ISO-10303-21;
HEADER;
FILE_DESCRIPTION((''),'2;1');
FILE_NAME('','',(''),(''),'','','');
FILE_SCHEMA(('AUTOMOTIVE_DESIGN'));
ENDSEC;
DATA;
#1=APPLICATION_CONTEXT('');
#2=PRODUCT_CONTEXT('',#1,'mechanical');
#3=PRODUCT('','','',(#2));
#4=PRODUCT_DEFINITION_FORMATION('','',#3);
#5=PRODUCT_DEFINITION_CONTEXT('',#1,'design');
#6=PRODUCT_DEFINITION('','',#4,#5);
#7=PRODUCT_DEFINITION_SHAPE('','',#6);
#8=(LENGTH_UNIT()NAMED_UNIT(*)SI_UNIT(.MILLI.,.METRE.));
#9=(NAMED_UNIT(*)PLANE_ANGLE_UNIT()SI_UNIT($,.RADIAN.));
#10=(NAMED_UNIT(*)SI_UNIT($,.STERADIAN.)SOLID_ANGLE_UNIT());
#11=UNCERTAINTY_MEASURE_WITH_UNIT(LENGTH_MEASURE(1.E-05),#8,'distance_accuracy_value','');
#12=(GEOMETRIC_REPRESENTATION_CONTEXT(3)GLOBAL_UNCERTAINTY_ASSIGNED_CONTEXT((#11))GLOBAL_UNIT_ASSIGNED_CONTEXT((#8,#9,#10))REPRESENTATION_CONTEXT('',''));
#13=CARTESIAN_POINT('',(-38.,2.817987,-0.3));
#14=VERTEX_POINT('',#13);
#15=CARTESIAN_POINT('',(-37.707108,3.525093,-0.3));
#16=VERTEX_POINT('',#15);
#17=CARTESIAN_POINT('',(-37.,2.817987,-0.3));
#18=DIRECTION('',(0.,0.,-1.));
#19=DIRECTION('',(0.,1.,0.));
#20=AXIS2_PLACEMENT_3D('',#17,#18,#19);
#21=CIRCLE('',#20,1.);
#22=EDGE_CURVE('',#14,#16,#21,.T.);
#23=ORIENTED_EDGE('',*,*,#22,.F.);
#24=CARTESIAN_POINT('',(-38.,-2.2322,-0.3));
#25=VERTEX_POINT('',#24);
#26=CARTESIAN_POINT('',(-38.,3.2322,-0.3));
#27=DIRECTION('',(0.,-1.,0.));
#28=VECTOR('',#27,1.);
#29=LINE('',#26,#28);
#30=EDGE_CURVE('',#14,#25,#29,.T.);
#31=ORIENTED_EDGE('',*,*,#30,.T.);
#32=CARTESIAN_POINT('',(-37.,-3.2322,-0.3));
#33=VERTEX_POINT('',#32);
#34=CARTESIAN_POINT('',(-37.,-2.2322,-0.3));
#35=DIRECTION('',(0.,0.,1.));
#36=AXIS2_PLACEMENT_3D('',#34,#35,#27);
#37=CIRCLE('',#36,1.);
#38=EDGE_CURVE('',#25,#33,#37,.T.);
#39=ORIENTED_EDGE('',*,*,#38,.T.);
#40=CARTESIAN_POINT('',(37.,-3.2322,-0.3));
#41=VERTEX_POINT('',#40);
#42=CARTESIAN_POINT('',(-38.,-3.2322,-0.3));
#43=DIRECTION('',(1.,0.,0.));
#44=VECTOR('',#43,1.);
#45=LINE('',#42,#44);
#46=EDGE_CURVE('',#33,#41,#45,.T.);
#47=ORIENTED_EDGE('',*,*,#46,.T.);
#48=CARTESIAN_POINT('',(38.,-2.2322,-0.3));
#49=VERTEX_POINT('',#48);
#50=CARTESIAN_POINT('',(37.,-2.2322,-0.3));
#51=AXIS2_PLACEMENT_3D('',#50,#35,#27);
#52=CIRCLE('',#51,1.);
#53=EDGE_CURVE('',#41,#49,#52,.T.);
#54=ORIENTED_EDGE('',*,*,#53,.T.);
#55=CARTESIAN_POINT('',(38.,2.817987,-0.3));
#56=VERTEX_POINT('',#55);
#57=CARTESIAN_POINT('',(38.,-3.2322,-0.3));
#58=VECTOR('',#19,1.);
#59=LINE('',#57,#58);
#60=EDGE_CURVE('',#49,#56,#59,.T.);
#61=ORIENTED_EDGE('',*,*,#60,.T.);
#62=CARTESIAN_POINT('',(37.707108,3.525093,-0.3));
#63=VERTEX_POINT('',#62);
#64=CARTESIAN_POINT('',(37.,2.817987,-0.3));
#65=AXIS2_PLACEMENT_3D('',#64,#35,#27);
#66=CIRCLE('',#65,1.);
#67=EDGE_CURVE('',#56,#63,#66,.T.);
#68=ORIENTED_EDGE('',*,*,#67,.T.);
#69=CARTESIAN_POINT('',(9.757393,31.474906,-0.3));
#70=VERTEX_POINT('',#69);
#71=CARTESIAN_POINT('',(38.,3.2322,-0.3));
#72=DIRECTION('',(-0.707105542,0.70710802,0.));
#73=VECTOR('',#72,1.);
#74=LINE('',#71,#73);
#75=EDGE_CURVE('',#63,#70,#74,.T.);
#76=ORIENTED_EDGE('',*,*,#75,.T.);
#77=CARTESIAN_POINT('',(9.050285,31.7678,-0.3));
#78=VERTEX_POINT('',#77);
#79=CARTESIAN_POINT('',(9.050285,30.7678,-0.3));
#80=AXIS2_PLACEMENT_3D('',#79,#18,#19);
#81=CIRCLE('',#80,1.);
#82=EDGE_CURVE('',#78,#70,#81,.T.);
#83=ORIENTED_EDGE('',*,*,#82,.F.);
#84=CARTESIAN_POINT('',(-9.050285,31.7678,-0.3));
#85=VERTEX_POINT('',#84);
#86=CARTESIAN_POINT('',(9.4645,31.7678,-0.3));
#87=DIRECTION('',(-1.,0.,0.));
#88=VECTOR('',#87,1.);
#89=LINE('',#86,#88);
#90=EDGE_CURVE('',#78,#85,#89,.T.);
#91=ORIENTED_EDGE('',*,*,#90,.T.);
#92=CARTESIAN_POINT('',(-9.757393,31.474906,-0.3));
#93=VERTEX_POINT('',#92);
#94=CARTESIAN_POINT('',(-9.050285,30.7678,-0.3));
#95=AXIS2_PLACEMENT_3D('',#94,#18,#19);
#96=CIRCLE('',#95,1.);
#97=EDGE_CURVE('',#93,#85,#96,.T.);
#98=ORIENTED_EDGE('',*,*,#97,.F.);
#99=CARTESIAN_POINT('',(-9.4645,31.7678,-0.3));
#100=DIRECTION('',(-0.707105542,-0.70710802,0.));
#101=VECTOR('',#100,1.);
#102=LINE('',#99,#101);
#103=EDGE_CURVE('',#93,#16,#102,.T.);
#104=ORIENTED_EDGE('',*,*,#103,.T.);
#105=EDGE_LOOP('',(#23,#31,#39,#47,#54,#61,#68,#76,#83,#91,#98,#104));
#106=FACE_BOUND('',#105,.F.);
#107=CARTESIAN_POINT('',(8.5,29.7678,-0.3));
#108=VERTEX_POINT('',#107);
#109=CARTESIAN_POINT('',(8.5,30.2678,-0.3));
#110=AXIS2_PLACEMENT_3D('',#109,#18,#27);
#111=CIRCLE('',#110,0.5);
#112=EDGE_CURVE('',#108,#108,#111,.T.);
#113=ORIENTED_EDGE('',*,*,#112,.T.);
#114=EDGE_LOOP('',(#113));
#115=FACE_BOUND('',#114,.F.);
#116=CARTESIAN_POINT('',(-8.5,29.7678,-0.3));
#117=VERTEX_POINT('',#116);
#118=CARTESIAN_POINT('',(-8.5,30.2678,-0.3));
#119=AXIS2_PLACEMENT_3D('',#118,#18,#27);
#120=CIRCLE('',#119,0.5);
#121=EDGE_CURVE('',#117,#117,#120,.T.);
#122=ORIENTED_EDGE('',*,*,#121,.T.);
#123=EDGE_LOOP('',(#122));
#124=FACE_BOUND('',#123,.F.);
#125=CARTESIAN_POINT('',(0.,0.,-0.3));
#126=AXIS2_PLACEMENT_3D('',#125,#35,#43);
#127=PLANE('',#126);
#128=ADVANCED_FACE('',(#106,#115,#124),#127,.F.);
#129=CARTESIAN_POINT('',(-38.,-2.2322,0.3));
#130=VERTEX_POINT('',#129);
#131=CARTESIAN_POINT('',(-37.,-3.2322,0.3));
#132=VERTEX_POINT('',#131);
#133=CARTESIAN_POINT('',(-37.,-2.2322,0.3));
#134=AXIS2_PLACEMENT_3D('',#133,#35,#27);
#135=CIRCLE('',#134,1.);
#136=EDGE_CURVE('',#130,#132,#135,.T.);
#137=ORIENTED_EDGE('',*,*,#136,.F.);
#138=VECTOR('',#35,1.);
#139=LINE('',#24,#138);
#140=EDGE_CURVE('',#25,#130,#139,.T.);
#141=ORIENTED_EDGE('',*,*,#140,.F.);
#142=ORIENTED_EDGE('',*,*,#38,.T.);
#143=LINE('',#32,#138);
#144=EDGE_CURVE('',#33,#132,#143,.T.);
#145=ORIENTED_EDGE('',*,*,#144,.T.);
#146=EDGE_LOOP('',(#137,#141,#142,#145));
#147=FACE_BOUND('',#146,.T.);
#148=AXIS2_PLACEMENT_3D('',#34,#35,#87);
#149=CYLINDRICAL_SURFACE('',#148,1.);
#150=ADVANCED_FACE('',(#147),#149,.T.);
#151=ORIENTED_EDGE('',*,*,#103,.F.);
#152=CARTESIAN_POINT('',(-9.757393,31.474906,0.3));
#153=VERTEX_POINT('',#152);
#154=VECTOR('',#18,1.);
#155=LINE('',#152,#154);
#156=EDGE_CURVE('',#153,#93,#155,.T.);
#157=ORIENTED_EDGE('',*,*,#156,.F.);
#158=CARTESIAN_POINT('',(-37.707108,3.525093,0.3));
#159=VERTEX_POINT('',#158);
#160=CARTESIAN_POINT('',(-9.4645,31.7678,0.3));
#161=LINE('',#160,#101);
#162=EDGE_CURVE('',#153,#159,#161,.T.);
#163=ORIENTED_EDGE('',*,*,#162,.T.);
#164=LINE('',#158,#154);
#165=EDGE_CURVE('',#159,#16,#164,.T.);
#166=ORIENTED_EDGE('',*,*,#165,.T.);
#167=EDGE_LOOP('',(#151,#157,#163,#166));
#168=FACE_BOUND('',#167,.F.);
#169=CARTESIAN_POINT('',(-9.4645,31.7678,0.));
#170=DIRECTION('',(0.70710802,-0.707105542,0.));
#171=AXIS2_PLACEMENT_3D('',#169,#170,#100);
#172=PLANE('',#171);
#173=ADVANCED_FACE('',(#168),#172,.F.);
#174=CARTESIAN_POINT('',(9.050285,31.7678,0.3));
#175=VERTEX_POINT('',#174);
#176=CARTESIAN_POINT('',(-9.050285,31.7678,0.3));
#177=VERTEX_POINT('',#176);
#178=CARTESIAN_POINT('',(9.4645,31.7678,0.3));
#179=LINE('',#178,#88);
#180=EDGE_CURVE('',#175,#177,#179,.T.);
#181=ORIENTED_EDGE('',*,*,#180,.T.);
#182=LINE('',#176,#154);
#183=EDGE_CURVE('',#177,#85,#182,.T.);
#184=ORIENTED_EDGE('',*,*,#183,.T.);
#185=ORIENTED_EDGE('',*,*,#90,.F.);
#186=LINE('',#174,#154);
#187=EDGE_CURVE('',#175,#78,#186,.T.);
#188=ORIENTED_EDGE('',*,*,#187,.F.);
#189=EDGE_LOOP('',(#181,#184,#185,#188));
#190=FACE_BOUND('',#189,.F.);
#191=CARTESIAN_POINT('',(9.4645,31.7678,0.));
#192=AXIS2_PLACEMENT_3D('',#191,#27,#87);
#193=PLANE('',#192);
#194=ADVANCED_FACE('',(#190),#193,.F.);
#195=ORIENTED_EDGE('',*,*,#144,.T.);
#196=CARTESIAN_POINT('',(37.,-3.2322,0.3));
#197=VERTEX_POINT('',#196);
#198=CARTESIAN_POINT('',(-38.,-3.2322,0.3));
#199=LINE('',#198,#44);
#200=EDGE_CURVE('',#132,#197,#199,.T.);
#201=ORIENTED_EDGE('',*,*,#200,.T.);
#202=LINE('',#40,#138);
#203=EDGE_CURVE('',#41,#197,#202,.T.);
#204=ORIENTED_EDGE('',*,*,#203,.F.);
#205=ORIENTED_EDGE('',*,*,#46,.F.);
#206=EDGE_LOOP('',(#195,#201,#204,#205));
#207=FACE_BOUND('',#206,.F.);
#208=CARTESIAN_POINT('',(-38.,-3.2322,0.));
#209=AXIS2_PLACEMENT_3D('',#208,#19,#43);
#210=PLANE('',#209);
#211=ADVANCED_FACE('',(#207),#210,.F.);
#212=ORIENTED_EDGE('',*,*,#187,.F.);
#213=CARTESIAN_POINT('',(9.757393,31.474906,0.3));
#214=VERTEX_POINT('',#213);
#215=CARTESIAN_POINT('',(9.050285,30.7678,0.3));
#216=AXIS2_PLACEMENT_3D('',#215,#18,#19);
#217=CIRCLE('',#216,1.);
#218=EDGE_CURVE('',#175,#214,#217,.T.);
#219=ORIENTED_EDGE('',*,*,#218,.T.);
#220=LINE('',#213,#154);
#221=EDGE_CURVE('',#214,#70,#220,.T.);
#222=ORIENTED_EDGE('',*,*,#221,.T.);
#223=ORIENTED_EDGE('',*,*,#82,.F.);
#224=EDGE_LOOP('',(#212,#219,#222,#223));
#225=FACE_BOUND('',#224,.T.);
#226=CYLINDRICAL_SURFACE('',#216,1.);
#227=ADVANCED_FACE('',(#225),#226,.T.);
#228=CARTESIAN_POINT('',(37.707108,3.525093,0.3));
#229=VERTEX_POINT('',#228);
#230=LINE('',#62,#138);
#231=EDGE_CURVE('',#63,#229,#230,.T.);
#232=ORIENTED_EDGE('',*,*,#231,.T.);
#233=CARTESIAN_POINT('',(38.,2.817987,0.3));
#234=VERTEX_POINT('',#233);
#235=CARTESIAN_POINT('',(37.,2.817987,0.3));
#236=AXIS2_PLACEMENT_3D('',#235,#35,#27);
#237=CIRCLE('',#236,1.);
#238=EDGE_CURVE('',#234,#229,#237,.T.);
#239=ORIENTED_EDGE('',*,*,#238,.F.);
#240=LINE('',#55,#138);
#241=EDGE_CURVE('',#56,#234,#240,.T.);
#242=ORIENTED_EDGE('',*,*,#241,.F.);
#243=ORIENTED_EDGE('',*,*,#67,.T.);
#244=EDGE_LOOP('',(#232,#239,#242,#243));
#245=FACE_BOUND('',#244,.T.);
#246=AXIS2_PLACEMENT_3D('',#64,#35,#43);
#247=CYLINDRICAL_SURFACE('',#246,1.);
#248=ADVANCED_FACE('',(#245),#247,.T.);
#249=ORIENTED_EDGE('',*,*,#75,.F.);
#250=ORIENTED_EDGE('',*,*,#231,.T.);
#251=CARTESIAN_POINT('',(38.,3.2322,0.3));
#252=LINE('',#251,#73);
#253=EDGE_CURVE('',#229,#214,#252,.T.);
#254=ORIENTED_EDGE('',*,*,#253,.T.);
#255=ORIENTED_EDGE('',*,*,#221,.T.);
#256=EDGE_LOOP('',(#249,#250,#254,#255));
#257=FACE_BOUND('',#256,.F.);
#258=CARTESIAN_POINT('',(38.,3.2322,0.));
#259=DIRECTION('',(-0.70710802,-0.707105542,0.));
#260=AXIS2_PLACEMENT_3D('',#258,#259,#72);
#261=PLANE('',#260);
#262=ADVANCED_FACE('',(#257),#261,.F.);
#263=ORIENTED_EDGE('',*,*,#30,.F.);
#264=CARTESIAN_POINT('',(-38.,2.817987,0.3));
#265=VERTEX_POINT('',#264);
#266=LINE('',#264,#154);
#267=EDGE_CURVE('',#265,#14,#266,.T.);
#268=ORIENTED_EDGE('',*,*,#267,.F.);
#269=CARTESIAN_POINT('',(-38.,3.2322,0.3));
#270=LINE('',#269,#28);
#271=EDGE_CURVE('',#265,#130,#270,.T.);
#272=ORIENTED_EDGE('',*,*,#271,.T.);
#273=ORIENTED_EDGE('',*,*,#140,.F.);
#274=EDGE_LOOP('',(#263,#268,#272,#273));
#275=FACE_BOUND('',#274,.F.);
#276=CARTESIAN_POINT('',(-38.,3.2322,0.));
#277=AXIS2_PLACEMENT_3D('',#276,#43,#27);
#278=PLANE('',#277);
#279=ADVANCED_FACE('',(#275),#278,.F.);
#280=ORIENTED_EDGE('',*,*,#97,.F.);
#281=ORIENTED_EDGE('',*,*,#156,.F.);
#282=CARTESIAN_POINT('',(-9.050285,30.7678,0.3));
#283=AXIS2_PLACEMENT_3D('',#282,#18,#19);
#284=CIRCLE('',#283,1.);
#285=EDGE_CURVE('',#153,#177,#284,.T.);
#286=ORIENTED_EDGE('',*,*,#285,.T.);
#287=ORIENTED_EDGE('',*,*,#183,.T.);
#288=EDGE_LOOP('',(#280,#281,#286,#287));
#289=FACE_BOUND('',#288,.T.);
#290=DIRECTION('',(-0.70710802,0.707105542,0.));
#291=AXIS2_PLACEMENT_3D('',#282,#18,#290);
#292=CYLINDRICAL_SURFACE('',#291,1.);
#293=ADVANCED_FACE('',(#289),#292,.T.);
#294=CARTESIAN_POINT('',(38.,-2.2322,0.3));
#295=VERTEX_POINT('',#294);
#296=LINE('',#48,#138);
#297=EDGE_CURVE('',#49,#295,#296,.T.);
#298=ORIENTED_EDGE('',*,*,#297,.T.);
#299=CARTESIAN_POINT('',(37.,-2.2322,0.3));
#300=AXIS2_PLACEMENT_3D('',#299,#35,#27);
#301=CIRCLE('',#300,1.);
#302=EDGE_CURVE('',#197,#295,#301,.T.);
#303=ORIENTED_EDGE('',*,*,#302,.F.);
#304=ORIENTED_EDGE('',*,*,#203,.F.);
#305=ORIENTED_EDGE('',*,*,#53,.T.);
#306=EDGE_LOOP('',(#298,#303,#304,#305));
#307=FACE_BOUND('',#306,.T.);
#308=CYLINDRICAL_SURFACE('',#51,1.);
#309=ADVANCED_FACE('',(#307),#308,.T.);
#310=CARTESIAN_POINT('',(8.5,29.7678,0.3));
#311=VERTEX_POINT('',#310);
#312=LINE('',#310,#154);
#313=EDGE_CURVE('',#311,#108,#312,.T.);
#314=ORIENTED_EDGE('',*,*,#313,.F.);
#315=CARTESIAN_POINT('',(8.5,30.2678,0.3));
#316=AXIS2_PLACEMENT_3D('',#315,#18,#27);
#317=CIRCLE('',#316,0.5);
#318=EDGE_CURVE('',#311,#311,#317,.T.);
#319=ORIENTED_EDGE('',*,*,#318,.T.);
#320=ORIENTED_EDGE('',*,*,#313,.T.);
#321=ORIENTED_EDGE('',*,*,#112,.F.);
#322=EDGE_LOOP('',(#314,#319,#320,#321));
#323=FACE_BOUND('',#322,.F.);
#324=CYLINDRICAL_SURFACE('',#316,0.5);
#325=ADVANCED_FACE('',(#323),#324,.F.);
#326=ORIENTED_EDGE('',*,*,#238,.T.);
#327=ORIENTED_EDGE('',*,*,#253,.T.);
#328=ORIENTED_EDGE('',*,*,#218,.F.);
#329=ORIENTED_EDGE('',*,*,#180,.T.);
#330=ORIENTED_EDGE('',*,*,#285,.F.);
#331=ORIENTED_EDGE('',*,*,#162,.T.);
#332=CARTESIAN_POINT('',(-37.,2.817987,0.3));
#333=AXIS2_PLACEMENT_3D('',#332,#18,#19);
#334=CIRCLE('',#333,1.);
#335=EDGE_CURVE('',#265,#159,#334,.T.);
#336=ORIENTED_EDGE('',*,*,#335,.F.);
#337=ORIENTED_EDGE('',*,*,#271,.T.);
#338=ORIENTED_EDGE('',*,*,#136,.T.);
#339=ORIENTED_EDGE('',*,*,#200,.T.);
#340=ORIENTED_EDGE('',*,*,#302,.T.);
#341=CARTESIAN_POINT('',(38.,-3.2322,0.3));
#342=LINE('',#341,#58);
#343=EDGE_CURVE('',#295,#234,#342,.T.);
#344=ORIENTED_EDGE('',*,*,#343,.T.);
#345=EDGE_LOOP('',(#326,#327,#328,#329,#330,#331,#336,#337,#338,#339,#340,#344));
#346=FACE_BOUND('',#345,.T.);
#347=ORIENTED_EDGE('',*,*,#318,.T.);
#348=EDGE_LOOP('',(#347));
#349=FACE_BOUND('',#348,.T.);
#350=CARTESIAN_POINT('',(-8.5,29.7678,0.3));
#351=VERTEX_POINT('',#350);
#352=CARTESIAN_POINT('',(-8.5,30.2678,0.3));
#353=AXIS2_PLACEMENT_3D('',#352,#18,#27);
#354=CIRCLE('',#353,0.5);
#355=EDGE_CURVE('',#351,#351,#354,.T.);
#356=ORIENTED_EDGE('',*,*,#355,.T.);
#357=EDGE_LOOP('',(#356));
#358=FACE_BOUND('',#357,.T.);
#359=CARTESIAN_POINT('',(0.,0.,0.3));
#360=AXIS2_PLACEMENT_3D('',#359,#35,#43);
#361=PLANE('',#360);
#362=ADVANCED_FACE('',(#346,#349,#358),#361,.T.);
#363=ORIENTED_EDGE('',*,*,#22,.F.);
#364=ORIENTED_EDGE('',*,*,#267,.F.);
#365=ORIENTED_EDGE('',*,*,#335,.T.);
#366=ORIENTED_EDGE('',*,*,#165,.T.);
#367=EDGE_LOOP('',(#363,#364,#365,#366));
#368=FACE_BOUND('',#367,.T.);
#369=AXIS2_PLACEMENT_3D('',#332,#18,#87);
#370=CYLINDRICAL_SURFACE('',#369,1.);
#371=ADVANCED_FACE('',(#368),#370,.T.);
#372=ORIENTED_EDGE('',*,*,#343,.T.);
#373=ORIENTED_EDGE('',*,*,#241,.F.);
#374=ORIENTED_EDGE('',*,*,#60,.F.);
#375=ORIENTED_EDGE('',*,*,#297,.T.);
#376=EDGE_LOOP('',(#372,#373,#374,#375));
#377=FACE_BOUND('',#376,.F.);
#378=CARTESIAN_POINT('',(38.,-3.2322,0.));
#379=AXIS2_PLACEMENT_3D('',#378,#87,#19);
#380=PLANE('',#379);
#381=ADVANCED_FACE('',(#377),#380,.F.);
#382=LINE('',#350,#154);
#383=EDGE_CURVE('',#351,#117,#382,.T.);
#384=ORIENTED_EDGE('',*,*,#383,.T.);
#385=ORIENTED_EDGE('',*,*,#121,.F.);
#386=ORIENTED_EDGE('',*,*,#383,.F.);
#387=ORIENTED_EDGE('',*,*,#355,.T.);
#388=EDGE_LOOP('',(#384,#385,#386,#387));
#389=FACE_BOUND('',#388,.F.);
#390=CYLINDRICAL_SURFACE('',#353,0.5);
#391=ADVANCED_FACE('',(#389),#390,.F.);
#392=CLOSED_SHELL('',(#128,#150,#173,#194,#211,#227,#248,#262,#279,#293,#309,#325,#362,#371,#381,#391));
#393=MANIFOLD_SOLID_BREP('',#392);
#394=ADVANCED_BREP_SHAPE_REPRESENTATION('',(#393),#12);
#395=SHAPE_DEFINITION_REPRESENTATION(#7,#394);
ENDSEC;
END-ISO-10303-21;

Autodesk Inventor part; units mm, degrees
ref_plane "YZ Plane" through (0, 0, 0) normal (1, 0, 0) x (0, 1, 0)
ref_plane "XZ Plane" through (0, 0, 0) normal (0, 1, 0) x (-1, 0, 0)
ref_plane "XY Plane" through (0, 0, 0) normal (0, 0, 1) x (1, 0, 0)
sketch "Sketch1" plane through (0, 0, 0) normal (0, 0, 1) x (1, 0, 0)
  line L0 (-38, -3.2322) -> (38, -3.2322)
  line L1 (38, -3.2322) -> (38, 3.2322)
  line L2 (38, 3.2322) -> (9.4645, 31.7678)
  line L3 (9.4645, 31.7678) -> (-9.4645, 31.7678)
  line L4 (-9.4645, 31.7678) -> (-38, 3.2322)
  line L5 (-38, 3.2322) -> (-38, -3.2322)
  line L6 (-48, -3.2322) -> (48, -3.2322) construction
  line L7 (48, -3.2322) -> (0, 44.7678) construction
  line L8 (0, 44.7678) -> (-48, -3.2322) construction
  point P0 (0, 0)
  point P1 (0, -3.2322)
  point P2 (0, 31.7678)
  point P3 (38, 0)
  dimension "d0" = 76
  dimension "d1" = 96
  dimension "d2" = 2.5
  dimension "d3" = 35
extrude "Extrusion1" add sketch "Sketch1" along normal mid plane 0.6
sketch "Sketch4" plane through (0, 0, 0.3) normal (0, 0, 1) x (1, 0, 0)
  line L0 (-38, -3.2322) -> (38, -3.2322) projected
  line L1 (38, -3.2322) -> (38, 3.2322) projected
  line L2 (38, 3.2322) -> (9.4645, 31.7678) projected
  line L3 (9.4645, 31.7678) -> (-9.4645, 31.7678) projected
  line L4 (-9.4645, 31.7678) -> (-38, 3.2322) projected
  line L5 (-38, 3.2322) -> (-38, -3.2322) projected
  line L6 (-8.5, 30.2678) -> (8.5, 30.2678) construction
  point P0 (0, 0)
  point P1 (0, 30.2678)
  dimension "d19" = 17
  dimension "d20" = 33.5
hole "Hole1" at (-8.5, 30.2678, 0.3) at (8.5, 30.2678, 0.3) direction (0, 0, -1) diameter 1 end through all
fillet "Fillet1" radius 1 6 edges at (38, -3.2322, 0) (38, 3.2322, 0) (9.4645, 31.7678, 0) (-9.4645, 31.7678, 0) (-38, 3.2322, 0) (-38, -3.2322, 0)
properties part number "-ZPanel_PCBExtender" material "Epoxy Resin"
